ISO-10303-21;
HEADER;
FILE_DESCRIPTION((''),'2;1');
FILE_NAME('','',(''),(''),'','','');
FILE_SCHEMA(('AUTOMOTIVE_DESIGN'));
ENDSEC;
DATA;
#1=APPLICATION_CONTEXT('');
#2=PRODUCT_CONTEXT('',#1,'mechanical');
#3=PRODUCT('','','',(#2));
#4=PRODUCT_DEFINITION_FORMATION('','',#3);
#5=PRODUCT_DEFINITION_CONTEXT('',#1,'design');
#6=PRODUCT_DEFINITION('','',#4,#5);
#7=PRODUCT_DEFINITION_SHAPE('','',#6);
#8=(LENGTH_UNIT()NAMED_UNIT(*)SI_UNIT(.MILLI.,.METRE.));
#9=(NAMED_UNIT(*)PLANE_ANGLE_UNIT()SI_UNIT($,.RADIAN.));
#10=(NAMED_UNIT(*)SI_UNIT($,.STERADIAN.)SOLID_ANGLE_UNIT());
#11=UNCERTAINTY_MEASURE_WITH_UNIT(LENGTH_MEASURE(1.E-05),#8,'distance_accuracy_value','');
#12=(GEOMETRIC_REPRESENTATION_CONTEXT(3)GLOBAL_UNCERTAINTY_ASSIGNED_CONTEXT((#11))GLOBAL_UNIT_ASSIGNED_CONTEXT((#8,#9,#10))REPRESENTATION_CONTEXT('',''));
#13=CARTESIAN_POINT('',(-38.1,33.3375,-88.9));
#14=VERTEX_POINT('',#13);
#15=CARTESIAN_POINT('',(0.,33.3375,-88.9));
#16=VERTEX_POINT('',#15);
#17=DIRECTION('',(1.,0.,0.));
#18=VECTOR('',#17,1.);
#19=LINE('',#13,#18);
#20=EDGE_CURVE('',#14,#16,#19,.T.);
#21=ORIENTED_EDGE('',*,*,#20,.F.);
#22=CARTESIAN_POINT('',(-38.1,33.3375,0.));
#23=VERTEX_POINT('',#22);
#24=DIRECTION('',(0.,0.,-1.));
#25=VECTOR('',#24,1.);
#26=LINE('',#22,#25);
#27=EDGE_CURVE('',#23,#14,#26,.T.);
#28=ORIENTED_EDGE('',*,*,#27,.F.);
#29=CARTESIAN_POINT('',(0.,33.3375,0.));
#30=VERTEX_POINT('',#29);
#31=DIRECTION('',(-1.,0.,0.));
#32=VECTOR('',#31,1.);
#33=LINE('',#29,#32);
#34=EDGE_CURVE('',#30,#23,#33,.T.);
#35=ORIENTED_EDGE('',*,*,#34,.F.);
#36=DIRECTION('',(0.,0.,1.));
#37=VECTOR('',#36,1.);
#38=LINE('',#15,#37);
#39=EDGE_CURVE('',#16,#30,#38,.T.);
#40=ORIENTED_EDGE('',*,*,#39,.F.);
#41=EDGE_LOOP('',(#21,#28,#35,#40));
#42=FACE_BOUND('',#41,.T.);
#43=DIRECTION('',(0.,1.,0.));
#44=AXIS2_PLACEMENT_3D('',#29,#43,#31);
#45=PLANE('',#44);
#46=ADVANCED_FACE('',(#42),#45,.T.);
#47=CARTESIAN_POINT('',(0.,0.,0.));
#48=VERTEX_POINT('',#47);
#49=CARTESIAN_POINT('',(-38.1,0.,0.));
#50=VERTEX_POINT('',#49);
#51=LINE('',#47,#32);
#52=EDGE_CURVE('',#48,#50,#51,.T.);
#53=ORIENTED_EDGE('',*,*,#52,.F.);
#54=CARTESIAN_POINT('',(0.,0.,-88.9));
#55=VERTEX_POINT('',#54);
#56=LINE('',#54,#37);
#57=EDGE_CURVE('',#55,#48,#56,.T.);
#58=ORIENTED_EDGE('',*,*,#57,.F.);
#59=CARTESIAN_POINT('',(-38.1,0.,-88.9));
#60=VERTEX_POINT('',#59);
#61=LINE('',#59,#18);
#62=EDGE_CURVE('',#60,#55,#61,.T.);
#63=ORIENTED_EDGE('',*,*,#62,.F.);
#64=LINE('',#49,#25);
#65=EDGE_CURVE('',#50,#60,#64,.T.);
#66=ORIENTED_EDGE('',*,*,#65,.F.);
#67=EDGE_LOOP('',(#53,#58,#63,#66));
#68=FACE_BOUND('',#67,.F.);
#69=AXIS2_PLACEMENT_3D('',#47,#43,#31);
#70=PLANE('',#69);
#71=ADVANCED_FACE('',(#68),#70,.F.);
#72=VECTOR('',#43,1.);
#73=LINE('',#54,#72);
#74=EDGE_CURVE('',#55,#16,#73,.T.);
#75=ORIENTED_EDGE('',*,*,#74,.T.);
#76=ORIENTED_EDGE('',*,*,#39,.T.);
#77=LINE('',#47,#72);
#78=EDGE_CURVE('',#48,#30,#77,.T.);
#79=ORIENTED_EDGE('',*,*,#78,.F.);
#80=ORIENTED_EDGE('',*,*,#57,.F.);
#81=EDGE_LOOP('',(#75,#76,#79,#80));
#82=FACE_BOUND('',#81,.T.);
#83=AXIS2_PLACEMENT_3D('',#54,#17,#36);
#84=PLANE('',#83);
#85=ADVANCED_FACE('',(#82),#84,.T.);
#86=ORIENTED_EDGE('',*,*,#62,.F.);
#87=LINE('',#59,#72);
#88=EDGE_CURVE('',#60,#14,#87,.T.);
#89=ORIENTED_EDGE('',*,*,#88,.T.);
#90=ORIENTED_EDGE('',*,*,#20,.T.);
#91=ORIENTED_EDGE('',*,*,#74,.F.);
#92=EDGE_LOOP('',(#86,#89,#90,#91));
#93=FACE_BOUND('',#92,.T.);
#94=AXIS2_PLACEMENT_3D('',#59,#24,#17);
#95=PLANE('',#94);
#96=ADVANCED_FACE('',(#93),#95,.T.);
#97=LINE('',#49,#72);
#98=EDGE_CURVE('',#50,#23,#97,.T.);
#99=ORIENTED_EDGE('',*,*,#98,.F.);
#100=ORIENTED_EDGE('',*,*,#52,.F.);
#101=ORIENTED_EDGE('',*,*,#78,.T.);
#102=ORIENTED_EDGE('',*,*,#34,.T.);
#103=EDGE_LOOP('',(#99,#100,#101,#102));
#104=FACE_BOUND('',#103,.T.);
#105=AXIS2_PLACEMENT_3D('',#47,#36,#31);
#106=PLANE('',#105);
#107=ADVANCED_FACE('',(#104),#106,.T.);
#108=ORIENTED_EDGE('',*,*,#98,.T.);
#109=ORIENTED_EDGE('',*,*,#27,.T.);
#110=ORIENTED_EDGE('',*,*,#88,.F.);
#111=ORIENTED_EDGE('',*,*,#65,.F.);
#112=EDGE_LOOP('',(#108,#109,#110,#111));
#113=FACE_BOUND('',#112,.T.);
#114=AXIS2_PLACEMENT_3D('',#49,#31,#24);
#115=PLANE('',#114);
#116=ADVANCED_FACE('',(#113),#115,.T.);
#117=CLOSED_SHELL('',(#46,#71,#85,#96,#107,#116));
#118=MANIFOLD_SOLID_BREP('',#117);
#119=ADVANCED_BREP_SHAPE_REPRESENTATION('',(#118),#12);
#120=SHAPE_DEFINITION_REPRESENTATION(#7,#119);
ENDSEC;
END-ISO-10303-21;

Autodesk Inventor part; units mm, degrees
ref_plane "YZ Plane" through (0, 0, 0) normal (1, 0, 0) x (0, 1, 0)
ref_plane "XZ Plane" through (0, 0, 0) normal (0, 1, 0) x (-1, 0, 0)
ref_plane "XY Plane" through (0, 0, 0) normal (0, 0, 1) x (1, 0, 0)
sketch "Sketch1" plane through (0, 0, 0) normal (0, 1, 0) x (-1, 0, 0)
  line L0 (0, 0) -> (38.1, 0)
  line L1 (38.1, 0) -> (38.1, -88.9)
  line L2 (38.1, -88.9) -> (0, -88.9)
  line L3 (0, -88.9) -> (0, 0)
  dimension "d0" = 88.9
  dimension "d1" = 38.1
extrude "Extrusion1" add sketch "Sketch1" along normal blind 33.3375
properties part number "Stud_With_Height_3.3125_Inches" material "Wood (Birch)"
